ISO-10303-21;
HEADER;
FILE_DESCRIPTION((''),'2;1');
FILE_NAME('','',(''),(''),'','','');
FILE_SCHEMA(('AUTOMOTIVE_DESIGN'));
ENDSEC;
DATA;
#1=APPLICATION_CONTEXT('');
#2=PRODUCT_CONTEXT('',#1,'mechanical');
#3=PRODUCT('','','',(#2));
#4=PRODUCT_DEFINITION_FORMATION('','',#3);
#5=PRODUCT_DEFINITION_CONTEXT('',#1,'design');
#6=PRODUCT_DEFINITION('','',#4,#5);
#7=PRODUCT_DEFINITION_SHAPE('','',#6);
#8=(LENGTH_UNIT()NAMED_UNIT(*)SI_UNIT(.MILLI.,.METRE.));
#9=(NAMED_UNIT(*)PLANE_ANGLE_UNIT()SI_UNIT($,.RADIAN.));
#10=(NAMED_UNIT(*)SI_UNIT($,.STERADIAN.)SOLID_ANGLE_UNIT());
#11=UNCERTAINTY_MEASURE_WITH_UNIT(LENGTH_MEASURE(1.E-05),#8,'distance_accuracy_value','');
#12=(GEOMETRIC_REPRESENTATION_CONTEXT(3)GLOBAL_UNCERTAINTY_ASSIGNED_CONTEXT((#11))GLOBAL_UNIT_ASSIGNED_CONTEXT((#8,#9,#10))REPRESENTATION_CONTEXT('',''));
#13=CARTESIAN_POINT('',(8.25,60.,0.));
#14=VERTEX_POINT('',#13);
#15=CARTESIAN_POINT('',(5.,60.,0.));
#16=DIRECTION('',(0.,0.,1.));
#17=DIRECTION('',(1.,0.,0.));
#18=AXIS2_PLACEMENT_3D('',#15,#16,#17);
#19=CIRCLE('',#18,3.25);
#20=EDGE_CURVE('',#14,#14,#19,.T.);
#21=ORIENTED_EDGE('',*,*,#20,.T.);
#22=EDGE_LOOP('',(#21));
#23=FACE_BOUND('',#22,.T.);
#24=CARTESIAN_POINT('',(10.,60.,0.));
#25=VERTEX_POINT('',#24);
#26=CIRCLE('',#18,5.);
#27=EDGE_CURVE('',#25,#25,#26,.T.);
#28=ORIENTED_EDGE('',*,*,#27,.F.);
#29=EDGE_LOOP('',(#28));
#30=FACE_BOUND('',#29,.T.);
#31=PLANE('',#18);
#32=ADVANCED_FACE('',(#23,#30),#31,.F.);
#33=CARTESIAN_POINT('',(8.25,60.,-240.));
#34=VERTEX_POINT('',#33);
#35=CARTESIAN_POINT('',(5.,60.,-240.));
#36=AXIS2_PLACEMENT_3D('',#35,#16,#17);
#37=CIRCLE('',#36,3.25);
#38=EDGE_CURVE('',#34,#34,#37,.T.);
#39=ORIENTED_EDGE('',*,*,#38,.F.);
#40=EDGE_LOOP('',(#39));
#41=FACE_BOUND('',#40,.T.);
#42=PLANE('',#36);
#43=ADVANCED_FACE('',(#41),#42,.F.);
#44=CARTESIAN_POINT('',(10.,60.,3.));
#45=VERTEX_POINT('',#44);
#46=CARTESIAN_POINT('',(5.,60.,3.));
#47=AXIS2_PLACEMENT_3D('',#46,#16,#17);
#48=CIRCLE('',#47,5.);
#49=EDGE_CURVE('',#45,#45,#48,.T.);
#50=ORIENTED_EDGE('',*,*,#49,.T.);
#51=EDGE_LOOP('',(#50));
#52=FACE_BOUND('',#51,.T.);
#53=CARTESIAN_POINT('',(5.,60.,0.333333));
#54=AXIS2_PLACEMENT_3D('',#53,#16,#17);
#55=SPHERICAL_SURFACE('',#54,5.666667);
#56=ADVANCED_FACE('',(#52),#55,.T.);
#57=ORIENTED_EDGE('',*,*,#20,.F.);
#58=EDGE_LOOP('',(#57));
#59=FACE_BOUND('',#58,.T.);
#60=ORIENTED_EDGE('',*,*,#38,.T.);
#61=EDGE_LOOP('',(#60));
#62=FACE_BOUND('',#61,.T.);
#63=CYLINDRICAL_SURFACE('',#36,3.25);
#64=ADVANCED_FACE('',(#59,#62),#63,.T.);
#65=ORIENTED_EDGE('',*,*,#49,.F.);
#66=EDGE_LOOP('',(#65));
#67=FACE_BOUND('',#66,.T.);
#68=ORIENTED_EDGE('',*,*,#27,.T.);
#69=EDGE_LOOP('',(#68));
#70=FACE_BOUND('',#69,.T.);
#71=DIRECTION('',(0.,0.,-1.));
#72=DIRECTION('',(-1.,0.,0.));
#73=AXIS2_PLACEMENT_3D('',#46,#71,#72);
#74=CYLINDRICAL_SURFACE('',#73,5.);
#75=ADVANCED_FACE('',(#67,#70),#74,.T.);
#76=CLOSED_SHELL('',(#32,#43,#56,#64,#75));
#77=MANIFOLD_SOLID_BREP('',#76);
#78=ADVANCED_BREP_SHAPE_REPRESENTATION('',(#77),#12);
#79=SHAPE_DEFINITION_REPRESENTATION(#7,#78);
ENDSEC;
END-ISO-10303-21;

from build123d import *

# Parameters (mm, degrees)
SKETCH_1_R         = 3.25
SKETCH_3_R         = 5
EXTRUDE_1_DEPTH    = 3
DOME_1_FACE_RADIUS = 5
DOME_1_HEIGHT      = 3


with BuildPart() as part:
    # По траектории1: sweep along a path in Эскиз2
    with BuildLine(Plane(origin=(0, 0, -120), x_dir=(0, 0, -1), z_dir=(1, 0, 0))) as sweep_1_path:
        Line((-120, 0), (120, 0))
    # Эскиз1 → По траектории1 (sweep)
    with BuildSketch(Plane.XY):
        with Locations((5, 60)):
            Circle(SKETCH_1_R)
    sweep(path=sweep_1_path.line)

    # Эскиз3 → Бобышка-Вытянуть1 (add)
    with BuildSketch(Plane.XY):
        with Locations((5, 60)):
            Circle(SKETCH_3_R)
    extrude(amount=EXTRUDE_1_DEPTH)

    # Купол1: a dome of height H over a round flat face of radius A is a cap of a sphere of radius (A * A + H * H) / (2 * H)
    dome_1_r = (DOME_1_FACE_RADIUS * DOME_1_FACE_RADIUS + DOME_1_HEIGHT * DOME_1_HEIGHT) / (2 * DOME_1_HEIGHT)
    dome_1_base = Plane((5, 60, 3), z_dir=(0, 0, 1))
    with Locations(dome_1_base.offset(DOME_1_HEIGHT - dome_1_r)):
        dome_1_ball = Sphere(dome_1_r, mode=Mode.PRIVATE)
    add(split(dome_1_ball, bisect_by=dome_1_base, keep=Keep.TOP, mode=Mode.PRIVATE))


solid = part.part
